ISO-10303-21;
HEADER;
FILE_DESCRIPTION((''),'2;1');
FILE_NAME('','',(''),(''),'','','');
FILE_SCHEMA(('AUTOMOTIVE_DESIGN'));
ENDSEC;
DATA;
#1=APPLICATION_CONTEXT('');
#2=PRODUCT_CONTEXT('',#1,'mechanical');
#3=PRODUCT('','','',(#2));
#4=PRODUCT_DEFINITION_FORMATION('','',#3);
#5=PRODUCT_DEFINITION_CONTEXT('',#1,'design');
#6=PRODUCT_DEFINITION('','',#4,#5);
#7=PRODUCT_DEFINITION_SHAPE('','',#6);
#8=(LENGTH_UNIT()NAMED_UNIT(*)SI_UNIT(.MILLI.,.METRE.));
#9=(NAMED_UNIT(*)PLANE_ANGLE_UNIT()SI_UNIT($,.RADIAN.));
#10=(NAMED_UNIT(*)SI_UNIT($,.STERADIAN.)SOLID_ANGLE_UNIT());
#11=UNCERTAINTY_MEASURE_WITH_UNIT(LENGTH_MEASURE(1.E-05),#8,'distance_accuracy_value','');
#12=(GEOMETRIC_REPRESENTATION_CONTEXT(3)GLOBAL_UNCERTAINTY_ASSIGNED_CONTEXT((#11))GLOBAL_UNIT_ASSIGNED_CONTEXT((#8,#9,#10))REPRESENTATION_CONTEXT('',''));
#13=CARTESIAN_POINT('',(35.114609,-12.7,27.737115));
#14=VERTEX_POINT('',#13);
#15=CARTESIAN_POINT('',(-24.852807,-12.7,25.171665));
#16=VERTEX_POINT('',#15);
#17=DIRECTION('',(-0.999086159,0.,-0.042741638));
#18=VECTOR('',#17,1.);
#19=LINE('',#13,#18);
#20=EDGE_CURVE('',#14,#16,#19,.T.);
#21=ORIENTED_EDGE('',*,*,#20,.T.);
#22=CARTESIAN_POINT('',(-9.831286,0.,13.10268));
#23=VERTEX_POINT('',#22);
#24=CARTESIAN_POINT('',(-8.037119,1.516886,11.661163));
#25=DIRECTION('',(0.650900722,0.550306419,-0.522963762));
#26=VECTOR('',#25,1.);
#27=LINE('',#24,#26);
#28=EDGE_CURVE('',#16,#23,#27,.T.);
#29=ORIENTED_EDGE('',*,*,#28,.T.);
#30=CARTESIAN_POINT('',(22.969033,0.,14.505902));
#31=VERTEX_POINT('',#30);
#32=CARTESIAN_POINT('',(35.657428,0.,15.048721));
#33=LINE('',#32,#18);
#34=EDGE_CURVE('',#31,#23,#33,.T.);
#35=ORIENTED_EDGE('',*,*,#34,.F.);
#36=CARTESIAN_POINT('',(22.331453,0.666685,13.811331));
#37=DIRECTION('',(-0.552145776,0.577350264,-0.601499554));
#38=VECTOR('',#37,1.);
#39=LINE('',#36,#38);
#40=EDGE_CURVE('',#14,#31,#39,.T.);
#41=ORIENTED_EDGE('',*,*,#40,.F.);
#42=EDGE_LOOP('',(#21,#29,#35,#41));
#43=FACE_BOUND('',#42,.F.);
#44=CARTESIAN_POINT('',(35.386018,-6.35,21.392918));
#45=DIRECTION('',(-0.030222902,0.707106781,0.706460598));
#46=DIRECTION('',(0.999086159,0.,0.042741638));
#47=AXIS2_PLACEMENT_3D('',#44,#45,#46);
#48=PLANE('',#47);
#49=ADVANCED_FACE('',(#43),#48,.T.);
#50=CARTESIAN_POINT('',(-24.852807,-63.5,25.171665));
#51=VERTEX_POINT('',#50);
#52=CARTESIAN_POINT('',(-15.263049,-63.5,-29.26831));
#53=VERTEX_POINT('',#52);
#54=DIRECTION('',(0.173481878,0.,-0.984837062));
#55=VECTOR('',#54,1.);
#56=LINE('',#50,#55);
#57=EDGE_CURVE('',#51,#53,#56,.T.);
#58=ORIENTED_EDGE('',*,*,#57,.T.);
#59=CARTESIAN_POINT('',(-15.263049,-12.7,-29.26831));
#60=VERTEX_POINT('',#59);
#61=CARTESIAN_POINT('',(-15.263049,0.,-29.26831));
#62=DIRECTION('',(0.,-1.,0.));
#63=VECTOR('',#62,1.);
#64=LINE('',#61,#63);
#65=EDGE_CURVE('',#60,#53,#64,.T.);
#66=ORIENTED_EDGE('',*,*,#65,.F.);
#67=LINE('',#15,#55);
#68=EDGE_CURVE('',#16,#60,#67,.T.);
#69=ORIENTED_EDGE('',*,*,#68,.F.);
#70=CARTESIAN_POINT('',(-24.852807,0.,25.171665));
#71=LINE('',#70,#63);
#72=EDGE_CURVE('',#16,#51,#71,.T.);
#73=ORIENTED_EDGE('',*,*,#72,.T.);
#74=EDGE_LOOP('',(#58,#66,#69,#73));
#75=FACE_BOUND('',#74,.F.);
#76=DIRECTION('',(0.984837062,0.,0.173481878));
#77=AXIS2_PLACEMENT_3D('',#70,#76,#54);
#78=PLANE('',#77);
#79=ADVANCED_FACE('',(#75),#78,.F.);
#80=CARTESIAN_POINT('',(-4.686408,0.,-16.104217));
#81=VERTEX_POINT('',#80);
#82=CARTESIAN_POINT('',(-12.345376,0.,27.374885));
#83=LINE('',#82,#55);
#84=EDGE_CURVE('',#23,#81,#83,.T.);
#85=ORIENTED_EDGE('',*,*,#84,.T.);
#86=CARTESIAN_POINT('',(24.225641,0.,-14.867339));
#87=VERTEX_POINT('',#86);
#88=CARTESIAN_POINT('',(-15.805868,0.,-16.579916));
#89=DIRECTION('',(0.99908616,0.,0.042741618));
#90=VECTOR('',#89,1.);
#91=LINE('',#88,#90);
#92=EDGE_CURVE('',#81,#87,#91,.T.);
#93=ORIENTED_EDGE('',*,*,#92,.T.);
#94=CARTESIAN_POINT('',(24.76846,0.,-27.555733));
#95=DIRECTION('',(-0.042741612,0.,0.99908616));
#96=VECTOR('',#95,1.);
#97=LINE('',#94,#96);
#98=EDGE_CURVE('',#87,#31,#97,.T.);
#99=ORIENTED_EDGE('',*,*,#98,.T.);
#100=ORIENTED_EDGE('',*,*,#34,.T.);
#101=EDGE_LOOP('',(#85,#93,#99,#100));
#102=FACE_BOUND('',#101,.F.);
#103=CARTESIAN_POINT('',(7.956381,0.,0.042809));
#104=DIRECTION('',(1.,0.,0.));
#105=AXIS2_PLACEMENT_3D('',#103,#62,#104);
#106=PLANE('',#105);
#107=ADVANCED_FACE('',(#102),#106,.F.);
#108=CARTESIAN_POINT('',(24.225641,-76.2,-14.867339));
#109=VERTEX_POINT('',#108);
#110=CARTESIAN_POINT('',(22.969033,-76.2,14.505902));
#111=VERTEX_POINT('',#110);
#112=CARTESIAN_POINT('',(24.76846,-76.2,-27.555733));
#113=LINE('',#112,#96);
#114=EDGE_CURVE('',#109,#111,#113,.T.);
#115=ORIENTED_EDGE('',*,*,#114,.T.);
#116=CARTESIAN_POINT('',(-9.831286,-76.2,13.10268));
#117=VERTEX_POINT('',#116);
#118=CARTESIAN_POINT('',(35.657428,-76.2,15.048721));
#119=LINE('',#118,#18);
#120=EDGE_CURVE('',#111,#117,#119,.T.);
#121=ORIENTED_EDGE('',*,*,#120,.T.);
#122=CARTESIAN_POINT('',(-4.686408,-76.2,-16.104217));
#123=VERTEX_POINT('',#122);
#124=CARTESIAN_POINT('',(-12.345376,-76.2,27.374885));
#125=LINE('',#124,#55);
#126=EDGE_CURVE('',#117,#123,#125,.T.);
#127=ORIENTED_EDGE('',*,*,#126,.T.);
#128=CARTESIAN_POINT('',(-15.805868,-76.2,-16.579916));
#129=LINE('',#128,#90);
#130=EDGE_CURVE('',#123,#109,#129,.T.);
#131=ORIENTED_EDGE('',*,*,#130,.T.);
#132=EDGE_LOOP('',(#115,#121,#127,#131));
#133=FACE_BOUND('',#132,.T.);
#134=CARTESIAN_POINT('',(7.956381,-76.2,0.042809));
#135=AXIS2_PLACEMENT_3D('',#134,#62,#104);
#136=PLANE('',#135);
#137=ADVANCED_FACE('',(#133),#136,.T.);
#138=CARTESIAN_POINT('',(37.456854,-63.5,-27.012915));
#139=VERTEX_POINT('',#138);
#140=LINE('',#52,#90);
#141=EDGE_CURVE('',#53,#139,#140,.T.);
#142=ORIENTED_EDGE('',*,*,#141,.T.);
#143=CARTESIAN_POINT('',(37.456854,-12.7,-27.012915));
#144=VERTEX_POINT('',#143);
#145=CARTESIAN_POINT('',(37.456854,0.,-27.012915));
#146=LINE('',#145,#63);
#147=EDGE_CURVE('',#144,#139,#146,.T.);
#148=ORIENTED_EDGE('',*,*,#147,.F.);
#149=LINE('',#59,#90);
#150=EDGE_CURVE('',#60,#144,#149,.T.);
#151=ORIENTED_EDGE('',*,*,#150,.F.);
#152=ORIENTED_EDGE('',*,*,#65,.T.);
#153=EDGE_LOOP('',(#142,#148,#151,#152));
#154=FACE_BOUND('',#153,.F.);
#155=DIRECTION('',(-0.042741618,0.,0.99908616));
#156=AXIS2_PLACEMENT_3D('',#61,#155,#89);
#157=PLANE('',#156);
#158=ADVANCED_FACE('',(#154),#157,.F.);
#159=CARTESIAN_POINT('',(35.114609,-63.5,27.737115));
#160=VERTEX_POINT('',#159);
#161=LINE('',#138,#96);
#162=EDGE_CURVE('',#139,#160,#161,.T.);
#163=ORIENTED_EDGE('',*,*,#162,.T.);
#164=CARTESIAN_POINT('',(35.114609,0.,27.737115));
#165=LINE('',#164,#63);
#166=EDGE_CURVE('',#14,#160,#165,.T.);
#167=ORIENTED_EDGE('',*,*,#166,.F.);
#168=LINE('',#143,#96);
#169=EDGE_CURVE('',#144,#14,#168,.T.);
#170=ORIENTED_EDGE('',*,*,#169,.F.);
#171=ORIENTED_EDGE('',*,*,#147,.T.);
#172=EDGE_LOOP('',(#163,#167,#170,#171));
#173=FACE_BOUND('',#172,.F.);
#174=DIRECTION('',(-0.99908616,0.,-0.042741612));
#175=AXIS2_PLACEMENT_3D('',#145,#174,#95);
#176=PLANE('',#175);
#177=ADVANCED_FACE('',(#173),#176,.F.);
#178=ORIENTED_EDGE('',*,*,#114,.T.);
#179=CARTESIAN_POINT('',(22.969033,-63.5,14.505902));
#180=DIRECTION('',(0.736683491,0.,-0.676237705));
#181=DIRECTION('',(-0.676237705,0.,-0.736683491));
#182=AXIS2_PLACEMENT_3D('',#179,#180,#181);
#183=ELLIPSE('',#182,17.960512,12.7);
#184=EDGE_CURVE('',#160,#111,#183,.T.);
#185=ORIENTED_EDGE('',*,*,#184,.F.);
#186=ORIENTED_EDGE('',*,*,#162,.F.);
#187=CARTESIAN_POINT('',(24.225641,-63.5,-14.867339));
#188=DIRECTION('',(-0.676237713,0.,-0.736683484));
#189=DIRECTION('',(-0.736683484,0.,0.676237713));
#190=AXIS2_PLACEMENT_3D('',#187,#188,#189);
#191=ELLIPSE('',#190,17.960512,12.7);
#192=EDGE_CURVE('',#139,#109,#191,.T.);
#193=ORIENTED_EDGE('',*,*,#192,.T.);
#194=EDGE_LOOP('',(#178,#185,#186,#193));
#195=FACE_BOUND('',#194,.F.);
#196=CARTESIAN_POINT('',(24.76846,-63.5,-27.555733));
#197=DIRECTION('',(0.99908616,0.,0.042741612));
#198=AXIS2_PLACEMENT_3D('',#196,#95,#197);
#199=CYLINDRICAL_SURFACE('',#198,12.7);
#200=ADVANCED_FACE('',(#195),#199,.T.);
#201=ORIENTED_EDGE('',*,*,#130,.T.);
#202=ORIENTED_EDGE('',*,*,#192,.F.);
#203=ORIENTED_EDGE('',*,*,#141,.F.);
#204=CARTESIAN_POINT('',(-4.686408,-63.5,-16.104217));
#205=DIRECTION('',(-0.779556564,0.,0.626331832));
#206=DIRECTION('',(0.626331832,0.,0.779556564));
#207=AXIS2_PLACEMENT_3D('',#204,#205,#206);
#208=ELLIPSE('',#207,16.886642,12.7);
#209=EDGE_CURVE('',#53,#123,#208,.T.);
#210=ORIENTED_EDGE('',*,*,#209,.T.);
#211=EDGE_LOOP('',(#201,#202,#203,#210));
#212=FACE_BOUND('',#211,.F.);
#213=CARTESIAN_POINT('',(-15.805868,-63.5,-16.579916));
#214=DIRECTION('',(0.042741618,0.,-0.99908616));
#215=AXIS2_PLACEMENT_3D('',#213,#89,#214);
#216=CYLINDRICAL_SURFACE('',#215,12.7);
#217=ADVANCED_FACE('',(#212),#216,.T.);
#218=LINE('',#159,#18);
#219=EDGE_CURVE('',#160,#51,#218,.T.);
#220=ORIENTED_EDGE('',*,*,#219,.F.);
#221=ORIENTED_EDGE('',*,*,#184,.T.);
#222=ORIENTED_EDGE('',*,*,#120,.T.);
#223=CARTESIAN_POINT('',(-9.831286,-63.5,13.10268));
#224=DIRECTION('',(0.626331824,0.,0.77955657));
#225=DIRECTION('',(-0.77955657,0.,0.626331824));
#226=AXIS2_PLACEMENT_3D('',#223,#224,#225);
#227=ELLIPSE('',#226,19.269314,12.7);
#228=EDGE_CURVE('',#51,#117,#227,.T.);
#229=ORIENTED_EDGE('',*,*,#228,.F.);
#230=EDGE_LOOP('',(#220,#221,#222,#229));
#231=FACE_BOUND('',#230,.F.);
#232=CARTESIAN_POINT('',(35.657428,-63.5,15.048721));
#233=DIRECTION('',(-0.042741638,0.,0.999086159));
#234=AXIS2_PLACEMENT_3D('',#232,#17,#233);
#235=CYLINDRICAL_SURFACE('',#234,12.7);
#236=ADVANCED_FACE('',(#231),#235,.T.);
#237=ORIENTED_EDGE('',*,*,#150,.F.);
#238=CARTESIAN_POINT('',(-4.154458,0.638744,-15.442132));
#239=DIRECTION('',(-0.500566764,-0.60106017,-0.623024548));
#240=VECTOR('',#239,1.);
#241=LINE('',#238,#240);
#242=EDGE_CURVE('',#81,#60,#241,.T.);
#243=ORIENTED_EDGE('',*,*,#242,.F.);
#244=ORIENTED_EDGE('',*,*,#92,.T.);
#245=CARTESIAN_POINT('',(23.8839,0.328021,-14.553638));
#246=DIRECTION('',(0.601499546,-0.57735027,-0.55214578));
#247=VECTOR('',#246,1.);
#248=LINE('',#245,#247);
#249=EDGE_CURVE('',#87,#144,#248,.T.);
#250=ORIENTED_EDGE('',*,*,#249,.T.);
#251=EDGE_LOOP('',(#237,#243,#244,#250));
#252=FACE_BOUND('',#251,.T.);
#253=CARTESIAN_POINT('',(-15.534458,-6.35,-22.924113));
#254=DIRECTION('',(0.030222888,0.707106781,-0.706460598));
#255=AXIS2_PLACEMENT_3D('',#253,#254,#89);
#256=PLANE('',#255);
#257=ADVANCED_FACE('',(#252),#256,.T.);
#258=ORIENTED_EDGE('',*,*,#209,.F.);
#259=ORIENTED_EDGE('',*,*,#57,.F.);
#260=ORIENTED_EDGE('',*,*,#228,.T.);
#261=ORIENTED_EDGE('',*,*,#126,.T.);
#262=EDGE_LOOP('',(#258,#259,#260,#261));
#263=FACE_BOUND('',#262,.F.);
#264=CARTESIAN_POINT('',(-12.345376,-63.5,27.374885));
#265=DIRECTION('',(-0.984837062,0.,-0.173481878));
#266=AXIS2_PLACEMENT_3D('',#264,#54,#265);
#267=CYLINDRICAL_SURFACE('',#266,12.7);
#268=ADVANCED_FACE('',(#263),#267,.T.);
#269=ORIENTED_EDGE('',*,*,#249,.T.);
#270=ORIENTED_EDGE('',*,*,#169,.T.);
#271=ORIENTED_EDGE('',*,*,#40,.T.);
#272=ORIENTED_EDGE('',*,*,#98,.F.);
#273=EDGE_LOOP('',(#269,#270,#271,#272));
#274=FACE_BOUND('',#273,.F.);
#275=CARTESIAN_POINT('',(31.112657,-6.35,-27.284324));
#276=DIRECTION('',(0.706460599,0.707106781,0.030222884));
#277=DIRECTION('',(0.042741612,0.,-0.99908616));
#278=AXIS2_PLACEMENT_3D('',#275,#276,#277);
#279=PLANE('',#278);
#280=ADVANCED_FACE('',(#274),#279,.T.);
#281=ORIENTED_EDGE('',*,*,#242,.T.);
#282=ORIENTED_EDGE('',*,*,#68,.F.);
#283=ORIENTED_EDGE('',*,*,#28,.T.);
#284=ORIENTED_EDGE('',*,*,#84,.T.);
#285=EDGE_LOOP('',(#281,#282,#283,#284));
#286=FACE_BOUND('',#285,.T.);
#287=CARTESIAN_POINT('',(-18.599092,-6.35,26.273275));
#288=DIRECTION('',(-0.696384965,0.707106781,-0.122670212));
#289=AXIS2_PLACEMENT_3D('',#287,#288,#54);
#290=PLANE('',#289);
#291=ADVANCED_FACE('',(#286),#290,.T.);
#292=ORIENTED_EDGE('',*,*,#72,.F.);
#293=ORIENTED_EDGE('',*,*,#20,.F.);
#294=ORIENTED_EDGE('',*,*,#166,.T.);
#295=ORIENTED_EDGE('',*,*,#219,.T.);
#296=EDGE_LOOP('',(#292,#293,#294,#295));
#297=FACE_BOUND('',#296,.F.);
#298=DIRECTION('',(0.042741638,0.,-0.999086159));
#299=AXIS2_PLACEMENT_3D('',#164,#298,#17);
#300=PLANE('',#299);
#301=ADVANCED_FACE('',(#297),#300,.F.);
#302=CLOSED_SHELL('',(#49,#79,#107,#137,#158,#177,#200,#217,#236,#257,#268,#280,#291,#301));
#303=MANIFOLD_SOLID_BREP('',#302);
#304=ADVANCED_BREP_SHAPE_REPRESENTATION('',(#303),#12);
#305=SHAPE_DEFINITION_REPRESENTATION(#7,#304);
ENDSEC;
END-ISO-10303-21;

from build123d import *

# Parameters (mm, degrees)
F1_DEPTH = 76.2
F2_R     = 12.7
F3_SIZE  = 12.7


with BuildPart() as f1:
    # F0 (on Front) → F1 (new body)
    with BuildSketch(Plane.XZ):
        Polygon((35.114609, 27.737115), (-24.852807, 25.171665), (-15.263049, -29.26831), (37.456854, -27.012915), align=None)
    extrude(amount=F1_DEPTH)

    # F2
    f2_edges = [f1.edges().sort_by_distance(p)[0] for p in [
        (5.130901, -76.2, 26.45439),
        (36.285732, -76.2, 0.3621),
        (11.096903, -76.2, -28.140613),
        (-20.057928, -76.2, -2.048322),
    ]]
    fillet(f2_edges, radius=F2_R)

    # F3
    f3_edges = [f1.edges().sort_by_distance(p)[0] for p in [
        (11.096903, 0, -28.140613),
        (5.130901, 0, 26.45439),
        (36.285732, 0, 0.3621),
        (-20.057928, 0, -2.048322),
    ]]
    chamfer(f3_edges, length=F3_SIZE)


solid = f1.part
